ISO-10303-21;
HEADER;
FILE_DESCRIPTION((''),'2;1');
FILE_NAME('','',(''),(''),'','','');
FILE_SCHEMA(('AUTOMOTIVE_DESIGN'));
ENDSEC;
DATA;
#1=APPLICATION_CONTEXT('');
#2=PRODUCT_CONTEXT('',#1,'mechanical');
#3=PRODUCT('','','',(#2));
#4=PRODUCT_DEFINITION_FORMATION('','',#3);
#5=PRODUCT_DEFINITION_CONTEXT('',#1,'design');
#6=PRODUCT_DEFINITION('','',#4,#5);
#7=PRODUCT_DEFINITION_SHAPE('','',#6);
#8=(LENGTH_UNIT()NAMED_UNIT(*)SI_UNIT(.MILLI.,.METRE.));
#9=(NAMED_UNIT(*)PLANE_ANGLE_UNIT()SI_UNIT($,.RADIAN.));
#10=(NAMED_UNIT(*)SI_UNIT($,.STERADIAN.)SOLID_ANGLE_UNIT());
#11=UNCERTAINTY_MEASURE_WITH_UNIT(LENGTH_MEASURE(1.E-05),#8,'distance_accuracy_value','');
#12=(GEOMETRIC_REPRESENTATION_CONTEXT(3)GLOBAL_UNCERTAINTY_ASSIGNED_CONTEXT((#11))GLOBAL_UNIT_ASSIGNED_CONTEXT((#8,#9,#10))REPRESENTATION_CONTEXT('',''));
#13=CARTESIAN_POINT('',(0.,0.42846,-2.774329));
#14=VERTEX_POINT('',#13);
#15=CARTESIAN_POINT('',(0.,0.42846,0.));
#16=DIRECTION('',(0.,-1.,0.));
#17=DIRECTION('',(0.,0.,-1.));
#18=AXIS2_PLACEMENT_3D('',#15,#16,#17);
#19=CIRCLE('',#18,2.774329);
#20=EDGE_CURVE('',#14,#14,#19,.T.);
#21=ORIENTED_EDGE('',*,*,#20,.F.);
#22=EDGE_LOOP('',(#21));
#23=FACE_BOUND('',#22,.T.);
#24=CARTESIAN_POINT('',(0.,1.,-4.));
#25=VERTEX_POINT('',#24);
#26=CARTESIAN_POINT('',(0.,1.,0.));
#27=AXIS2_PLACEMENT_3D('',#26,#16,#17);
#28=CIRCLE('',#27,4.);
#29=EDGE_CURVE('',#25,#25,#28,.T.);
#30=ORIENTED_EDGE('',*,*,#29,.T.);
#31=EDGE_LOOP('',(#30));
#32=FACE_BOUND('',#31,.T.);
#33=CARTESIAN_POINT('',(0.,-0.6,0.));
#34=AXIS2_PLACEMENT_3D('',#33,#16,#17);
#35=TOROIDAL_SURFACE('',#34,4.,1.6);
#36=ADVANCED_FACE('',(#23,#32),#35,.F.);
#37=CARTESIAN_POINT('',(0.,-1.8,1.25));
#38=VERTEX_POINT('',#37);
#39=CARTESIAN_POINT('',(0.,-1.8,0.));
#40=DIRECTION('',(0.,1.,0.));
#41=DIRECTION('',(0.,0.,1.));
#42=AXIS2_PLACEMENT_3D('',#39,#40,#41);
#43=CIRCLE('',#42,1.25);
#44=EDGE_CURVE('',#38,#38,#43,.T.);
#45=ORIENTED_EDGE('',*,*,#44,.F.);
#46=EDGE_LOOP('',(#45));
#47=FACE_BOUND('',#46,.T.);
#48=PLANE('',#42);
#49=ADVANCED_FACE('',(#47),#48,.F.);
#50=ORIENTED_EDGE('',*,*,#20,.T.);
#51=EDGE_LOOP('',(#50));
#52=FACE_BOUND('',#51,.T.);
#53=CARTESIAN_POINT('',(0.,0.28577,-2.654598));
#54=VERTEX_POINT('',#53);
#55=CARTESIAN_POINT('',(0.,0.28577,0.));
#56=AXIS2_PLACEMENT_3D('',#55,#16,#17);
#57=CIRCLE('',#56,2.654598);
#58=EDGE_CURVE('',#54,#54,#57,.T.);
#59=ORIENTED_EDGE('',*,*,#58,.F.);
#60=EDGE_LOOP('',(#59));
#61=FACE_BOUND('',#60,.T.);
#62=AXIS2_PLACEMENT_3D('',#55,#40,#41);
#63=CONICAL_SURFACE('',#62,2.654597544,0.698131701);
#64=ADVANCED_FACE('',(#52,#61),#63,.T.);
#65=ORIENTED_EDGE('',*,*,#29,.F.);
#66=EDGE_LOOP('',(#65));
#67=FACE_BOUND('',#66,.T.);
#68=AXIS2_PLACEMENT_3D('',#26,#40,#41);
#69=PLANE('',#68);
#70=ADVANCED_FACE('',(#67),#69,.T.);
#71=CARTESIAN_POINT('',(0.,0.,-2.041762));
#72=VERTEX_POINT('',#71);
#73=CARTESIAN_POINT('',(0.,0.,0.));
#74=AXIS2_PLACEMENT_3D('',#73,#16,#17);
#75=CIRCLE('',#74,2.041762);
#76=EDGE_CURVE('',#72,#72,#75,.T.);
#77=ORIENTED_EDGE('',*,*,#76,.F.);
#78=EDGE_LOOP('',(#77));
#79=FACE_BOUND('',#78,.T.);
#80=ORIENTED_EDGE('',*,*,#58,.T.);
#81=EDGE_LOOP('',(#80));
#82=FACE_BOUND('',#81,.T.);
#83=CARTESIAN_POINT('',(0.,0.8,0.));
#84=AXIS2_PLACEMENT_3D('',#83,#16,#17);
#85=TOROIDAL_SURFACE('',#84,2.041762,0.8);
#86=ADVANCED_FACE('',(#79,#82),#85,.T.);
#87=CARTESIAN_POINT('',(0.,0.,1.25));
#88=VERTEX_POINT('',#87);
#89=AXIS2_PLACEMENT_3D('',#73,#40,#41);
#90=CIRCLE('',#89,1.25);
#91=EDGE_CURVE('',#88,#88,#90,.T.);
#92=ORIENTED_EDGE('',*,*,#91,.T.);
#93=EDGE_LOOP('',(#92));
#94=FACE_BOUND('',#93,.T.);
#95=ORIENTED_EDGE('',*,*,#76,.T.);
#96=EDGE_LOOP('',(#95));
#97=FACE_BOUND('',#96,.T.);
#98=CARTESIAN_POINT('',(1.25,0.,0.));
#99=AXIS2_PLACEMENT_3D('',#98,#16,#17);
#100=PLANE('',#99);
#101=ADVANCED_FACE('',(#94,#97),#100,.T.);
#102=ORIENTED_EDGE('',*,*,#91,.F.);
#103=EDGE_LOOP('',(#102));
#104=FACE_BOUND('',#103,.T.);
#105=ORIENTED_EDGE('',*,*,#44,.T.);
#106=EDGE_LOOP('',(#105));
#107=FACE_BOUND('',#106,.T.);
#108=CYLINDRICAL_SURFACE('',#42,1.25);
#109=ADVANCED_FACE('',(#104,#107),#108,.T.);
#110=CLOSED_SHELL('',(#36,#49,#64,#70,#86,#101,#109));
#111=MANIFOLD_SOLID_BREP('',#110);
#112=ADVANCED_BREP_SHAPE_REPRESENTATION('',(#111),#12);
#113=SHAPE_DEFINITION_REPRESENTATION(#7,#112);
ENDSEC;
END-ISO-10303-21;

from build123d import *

# Parameters (mm, degrees)
SKETCH_2_R      = 1.25
EXTRUDE_1_DEPTH = 1.8


with BuildPart() as part:
    # Эскиз2 → Бобышка-Вытянуть1 (new body)
    with BuildSketch(Plane(origin=(0, 0, 0), x_dir=(1, 0, 0), z_dir=(0, 1, 0))):
        with Locations(Location((0, 0, 0), (0, 0, 270))):
            Circle(SKETCH_2_R)
    extrude(amount=-EXTRUDE_1_DEPTH)

    # Эскиз4 → Повернуть1 (revolve)
    with BuildSketch(Plane.XY, mode=Mode.PRIVATE) as revolve_1_sk:
        with BuildLine():
            Line((0, 0), (0, 1))
            Line((0, 1), (4, 1))
            ThreePointArc((4, 1), (3.323810781, 0.850092459), (2.774328891, 0.428460175))
            Line((2.774328891, 0.428460175), (2.654597544, 0.285769912))
            ThreePointArc((2.654597544, 0.285769912), (2.379856599, 0.07495377), (2.041761989, 0))
            Line((2.041761989, 0), (1.25, 0))
            Line((1.25, 0), (0, 0))
        make_face()
    revolve(revolve_1_sk.sketch.rotate(Axis((0, 0, 0), (0, 1, 0)), 90), axis=Axis((0, 0, 0), (0, 1, 0)))


solid = part.part
